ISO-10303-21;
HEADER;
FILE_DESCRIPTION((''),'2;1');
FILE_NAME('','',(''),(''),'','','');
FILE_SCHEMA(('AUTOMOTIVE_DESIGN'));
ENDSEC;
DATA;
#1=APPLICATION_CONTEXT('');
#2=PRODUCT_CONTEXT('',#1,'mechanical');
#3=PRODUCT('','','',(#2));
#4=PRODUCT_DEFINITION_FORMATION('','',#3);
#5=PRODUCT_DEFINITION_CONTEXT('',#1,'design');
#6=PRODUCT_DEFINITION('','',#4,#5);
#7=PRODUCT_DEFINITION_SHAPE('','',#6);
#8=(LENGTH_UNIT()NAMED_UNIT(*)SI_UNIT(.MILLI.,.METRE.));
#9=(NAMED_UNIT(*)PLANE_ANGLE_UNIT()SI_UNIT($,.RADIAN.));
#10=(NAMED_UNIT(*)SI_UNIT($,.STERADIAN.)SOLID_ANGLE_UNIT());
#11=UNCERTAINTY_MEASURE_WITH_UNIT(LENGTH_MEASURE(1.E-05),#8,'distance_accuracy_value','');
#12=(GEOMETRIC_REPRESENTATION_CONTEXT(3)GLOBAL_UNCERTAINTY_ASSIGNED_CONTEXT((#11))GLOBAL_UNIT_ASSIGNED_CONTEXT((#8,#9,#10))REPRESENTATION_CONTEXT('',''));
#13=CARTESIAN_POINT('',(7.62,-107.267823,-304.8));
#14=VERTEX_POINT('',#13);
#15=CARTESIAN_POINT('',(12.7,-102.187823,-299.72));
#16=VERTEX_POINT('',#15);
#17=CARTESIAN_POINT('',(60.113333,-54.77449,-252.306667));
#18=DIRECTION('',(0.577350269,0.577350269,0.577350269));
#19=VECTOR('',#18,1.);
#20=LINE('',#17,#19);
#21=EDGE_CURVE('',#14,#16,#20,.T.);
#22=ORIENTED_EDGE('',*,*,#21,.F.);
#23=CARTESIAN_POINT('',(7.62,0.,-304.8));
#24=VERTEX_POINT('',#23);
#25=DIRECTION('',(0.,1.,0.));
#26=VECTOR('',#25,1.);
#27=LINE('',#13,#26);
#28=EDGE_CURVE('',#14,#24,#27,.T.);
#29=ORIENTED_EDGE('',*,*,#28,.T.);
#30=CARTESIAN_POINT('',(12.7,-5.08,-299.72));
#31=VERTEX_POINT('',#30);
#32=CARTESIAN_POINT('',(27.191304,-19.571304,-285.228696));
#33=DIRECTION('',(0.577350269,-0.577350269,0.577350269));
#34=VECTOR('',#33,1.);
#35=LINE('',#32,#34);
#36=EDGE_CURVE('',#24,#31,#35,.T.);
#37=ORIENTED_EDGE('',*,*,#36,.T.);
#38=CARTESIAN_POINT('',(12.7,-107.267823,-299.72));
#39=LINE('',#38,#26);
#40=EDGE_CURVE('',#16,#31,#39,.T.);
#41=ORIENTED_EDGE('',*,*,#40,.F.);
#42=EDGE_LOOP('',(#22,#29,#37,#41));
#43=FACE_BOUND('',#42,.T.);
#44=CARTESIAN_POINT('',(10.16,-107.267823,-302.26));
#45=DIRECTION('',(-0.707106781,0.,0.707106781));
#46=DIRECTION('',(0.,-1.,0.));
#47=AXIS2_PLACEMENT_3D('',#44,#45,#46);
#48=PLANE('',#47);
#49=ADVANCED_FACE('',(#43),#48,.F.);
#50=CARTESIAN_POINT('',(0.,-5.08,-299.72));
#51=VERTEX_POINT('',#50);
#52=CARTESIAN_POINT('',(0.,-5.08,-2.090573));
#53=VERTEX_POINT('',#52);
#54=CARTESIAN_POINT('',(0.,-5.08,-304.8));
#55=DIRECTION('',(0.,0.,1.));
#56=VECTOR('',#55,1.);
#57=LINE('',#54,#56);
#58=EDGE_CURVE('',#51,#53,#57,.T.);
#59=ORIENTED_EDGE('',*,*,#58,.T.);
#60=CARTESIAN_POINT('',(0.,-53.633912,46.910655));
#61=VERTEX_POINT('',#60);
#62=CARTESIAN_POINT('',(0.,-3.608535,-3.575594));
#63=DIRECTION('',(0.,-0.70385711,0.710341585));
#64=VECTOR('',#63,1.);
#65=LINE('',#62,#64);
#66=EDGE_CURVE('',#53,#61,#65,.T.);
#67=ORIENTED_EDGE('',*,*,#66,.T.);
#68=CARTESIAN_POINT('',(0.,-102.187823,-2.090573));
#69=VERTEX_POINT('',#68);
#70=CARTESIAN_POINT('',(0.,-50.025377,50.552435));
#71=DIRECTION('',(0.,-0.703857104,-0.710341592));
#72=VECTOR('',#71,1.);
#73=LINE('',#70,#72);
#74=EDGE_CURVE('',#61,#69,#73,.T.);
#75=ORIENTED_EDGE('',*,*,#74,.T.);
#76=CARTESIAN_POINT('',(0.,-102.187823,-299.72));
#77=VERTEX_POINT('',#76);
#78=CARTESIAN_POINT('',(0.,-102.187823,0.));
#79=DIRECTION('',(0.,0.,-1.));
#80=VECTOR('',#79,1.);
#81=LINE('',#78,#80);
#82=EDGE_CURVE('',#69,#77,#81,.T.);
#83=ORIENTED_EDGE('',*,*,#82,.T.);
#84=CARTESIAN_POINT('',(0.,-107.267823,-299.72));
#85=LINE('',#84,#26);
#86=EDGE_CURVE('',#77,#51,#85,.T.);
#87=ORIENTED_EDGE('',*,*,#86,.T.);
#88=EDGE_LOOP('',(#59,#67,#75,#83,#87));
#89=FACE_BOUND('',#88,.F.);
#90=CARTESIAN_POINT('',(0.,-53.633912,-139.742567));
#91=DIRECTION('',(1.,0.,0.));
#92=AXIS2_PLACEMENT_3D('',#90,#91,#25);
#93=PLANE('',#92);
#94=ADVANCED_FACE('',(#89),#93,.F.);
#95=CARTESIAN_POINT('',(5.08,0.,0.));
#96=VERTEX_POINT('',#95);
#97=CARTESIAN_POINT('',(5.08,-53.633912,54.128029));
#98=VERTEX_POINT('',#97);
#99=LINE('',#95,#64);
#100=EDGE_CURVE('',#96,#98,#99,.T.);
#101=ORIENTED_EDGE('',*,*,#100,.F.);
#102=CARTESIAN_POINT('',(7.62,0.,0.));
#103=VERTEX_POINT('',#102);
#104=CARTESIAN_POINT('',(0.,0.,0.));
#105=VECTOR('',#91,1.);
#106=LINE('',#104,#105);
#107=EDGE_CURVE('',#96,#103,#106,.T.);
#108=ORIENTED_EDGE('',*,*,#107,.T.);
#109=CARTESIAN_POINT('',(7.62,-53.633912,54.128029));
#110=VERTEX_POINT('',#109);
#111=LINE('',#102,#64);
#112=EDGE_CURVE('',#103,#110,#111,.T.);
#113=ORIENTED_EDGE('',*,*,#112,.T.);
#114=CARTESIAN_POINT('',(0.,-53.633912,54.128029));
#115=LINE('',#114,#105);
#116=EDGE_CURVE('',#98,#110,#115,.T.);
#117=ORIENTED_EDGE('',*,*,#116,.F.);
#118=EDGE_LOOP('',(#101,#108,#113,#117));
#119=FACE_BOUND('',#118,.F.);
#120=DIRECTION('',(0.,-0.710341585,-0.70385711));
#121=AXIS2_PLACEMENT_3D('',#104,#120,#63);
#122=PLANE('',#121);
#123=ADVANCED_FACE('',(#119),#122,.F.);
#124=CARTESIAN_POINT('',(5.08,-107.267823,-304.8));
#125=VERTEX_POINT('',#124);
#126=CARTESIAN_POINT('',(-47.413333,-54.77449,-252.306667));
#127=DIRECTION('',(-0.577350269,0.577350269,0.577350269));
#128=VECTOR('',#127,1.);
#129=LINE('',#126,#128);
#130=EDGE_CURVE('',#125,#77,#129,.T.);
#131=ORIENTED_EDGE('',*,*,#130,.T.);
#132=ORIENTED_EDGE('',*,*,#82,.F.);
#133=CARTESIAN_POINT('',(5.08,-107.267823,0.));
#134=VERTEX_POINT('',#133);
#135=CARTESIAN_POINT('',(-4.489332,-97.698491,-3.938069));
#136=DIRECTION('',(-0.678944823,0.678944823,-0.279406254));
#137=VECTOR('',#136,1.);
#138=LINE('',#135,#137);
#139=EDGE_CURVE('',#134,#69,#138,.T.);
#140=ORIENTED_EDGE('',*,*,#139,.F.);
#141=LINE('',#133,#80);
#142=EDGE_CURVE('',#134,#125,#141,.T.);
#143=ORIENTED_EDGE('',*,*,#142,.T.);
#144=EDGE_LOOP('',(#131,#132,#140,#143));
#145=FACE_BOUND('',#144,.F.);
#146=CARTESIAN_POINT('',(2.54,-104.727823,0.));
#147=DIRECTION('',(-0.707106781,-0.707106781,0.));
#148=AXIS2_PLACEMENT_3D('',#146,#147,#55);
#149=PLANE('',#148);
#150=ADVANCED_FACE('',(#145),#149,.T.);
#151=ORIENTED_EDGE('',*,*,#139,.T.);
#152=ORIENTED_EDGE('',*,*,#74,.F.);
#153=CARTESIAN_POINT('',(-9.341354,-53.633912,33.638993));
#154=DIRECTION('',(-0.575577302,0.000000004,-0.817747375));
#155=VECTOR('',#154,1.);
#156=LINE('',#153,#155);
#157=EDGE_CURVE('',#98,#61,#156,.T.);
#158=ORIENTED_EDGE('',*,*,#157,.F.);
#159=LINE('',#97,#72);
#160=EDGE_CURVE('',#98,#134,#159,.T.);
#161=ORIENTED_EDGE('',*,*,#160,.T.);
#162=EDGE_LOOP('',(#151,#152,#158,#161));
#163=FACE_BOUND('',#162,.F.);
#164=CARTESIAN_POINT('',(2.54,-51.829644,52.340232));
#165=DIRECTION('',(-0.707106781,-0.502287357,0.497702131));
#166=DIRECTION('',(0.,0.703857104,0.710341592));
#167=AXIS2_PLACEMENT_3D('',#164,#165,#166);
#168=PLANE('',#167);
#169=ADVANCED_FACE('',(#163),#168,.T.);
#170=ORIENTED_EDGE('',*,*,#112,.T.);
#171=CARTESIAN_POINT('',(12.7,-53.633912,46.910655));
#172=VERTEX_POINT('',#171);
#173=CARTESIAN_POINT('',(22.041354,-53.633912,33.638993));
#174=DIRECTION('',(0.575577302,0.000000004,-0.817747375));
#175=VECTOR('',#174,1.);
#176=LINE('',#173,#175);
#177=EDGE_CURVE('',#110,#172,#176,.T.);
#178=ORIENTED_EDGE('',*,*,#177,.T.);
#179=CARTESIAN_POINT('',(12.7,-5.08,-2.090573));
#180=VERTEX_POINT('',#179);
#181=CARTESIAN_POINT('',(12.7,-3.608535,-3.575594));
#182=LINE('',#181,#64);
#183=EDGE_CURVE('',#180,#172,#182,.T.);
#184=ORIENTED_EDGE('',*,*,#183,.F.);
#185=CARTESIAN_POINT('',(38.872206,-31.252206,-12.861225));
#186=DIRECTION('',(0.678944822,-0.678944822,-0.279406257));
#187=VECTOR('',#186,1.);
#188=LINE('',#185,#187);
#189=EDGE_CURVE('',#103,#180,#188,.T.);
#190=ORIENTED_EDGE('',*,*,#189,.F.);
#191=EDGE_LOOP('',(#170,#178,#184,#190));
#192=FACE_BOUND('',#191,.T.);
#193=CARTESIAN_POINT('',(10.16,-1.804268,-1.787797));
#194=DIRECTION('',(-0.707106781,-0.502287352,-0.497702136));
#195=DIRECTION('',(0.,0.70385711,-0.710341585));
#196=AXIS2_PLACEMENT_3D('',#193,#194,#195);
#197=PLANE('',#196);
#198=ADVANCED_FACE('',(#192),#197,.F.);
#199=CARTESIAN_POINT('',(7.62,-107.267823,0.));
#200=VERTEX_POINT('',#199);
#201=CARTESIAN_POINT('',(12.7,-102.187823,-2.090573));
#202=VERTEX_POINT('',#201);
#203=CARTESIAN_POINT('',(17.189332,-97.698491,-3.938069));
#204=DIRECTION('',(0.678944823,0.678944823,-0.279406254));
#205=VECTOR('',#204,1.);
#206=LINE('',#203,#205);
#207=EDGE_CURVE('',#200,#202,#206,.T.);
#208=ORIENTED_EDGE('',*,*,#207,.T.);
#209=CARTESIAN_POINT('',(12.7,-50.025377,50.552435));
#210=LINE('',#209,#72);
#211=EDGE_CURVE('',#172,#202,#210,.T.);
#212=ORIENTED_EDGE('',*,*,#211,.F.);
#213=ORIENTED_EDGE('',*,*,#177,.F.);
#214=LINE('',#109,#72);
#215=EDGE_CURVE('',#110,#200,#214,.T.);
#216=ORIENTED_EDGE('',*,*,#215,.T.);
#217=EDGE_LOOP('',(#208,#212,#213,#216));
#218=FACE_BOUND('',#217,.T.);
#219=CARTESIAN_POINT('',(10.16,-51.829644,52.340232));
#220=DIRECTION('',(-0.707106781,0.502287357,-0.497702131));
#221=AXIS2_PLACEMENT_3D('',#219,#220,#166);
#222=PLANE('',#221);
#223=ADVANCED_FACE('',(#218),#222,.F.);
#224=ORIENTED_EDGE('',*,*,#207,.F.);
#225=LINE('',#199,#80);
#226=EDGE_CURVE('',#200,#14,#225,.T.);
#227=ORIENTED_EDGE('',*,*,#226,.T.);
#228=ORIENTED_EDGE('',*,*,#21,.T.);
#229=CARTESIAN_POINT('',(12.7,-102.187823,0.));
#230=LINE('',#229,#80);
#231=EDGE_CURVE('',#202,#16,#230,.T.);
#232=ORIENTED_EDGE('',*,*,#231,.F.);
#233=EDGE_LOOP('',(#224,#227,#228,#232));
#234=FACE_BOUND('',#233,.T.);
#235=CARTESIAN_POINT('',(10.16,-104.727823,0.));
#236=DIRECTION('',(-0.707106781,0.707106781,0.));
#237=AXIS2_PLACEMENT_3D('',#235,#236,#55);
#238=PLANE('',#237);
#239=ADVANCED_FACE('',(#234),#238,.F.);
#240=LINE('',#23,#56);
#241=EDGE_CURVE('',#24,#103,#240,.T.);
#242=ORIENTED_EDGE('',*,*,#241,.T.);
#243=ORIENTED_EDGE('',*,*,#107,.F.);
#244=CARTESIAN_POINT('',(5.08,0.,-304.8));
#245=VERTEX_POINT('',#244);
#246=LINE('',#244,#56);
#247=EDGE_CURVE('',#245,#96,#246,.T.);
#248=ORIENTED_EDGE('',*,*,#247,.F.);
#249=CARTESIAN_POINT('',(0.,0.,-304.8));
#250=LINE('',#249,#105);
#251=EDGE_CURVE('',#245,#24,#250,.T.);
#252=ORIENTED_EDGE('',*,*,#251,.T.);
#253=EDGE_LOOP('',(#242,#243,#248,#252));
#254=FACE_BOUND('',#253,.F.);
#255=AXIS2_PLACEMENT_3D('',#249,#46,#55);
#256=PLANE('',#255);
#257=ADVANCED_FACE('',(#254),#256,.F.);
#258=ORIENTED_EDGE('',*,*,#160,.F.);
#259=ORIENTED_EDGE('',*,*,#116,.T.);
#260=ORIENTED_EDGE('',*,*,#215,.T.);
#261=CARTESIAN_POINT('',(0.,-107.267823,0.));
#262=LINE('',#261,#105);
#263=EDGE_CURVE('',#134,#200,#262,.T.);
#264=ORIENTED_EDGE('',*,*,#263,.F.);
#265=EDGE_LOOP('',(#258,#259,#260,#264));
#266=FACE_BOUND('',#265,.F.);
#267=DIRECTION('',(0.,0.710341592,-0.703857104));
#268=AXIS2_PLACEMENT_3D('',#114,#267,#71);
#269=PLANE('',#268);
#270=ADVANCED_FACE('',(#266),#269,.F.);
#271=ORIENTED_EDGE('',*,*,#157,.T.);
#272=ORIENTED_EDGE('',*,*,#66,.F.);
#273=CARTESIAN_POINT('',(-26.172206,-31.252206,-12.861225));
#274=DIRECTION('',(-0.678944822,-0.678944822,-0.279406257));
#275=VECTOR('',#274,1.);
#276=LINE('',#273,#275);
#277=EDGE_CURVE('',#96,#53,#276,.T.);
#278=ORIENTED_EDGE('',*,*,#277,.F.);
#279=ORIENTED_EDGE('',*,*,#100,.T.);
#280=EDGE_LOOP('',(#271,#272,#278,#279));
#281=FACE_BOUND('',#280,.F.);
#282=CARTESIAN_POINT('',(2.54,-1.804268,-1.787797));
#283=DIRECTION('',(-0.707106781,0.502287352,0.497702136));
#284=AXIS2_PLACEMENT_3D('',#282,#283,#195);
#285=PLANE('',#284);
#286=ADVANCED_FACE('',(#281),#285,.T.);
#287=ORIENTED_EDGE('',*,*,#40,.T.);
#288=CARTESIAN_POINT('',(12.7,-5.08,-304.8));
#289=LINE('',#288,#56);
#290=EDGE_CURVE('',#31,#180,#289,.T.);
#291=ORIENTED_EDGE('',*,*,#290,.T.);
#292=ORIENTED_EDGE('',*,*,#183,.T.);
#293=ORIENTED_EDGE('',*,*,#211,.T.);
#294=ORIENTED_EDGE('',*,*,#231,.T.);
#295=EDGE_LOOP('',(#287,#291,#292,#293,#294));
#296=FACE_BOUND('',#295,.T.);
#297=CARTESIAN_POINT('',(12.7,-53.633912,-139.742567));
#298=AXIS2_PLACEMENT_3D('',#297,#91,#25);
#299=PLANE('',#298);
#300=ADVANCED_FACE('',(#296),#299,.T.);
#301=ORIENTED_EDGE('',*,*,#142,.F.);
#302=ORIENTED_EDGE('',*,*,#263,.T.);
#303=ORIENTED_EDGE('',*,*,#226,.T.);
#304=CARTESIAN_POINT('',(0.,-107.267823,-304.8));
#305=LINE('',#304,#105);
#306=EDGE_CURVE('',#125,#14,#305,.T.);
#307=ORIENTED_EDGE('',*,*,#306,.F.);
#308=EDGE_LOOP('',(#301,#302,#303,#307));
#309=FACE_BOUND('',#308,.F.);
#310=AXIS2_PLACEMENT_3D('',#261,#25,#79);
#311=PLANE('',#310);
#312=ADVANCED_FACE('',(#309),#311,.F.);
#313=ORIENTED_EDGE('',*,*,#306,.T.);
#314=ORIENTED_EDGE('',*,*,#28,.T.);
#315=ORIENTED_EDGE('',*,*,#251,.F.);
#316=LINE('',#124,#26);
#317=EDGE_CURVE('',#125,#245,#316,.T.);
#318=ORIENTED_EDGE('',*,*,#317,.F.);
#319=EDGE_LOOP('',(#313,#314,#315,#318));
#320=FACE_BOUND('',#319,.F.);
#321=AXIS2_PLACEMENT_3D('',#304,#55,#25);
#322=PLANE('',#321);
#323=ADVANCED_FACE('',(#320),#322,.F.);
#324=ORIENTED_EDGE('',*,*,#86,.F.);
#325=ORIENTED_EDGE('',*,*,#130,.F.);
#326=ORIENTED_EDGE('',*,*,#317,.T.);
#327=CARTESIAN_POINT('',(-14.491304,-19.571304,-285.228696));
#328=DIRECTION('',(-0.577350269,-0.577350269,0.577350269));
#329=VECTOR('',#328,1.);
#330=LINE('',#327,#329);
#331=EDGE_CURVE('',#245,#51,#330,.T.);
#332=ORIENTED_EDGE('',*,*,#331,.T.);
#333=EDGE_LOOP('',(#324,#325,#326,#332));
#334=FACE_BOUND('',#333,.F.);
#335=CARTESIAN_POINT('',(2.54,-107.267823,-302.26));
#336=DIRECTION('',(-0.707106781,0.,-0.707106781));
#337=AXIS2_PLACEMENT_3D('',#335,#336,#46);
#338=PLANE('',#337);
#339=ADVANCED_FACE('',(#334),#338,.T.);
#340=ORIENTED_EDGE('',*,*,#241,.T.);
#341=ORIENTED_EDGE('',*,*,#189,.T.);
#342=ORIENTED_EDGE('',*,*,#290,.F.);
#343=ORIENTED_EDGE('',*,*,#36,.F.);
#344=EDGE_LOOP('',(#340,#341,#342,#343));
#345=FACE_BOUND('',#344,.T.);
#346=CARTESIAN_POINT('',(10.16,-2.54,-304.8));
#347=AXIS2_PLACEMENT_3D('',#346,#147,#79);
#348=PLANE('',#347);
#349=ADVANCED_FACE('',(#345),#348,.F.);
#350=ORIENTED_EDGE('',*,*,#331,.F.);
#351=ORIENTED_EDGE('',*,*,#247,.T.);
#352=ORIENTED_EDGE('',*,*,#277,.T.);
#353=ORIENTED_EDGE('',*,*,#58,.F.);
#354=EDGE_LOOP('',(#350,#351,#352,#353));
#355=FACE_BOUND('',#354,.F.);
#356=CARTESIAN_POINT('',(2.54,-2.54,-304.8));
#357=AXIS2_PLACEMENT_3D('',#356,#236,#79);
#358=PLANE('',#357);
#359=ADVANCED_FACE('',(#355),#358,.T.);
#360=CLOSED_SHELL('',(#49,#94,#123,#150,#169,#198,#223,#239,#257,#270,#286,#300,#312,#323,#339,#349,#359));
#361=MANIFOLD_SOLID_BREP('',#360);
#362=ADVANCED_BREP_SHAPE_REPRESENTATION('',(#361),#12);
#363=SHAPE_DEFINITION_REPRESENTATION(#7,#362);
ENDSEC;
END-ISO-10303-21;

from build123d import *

# Parameters (mm, degrees)
F1_DEPTH = 12.7
F2_SIZE  = 5.08


with BuildPart() as f1:
    # F0 (on Right) → F1 (new body)
    with BuildSketch(Plane.YZ):
        Polygon((-107.267823, 0), (-107.267823, -304.8), (0, -304.8), (0, 0), (-53.633912, 54.128029), align=None)
    extrude(amount=F1_DEPTH)

    # F2
    f2_edges = [f1.edges().sort_by_distance(p)[0] for p in [
        (12.7, -80.450868, 27.064014),
        (12.7, -107.267823, -152.4),
        (12.7, -53.633912, -304.8),
        (12.7, 0, -152.4),
        (12.7, -26.816956, 27.064014),
        (0, -80.450868, 27.064014),
        (0, -107.267823, -152.4),
        (0, -53.633912, -304.8),
        (0, 0, -152.4),
        (0, -26.816956, 27.064014),
    ]]
    chamfer(f2_edges, length=F2_SIZE)


solid = f1.part
